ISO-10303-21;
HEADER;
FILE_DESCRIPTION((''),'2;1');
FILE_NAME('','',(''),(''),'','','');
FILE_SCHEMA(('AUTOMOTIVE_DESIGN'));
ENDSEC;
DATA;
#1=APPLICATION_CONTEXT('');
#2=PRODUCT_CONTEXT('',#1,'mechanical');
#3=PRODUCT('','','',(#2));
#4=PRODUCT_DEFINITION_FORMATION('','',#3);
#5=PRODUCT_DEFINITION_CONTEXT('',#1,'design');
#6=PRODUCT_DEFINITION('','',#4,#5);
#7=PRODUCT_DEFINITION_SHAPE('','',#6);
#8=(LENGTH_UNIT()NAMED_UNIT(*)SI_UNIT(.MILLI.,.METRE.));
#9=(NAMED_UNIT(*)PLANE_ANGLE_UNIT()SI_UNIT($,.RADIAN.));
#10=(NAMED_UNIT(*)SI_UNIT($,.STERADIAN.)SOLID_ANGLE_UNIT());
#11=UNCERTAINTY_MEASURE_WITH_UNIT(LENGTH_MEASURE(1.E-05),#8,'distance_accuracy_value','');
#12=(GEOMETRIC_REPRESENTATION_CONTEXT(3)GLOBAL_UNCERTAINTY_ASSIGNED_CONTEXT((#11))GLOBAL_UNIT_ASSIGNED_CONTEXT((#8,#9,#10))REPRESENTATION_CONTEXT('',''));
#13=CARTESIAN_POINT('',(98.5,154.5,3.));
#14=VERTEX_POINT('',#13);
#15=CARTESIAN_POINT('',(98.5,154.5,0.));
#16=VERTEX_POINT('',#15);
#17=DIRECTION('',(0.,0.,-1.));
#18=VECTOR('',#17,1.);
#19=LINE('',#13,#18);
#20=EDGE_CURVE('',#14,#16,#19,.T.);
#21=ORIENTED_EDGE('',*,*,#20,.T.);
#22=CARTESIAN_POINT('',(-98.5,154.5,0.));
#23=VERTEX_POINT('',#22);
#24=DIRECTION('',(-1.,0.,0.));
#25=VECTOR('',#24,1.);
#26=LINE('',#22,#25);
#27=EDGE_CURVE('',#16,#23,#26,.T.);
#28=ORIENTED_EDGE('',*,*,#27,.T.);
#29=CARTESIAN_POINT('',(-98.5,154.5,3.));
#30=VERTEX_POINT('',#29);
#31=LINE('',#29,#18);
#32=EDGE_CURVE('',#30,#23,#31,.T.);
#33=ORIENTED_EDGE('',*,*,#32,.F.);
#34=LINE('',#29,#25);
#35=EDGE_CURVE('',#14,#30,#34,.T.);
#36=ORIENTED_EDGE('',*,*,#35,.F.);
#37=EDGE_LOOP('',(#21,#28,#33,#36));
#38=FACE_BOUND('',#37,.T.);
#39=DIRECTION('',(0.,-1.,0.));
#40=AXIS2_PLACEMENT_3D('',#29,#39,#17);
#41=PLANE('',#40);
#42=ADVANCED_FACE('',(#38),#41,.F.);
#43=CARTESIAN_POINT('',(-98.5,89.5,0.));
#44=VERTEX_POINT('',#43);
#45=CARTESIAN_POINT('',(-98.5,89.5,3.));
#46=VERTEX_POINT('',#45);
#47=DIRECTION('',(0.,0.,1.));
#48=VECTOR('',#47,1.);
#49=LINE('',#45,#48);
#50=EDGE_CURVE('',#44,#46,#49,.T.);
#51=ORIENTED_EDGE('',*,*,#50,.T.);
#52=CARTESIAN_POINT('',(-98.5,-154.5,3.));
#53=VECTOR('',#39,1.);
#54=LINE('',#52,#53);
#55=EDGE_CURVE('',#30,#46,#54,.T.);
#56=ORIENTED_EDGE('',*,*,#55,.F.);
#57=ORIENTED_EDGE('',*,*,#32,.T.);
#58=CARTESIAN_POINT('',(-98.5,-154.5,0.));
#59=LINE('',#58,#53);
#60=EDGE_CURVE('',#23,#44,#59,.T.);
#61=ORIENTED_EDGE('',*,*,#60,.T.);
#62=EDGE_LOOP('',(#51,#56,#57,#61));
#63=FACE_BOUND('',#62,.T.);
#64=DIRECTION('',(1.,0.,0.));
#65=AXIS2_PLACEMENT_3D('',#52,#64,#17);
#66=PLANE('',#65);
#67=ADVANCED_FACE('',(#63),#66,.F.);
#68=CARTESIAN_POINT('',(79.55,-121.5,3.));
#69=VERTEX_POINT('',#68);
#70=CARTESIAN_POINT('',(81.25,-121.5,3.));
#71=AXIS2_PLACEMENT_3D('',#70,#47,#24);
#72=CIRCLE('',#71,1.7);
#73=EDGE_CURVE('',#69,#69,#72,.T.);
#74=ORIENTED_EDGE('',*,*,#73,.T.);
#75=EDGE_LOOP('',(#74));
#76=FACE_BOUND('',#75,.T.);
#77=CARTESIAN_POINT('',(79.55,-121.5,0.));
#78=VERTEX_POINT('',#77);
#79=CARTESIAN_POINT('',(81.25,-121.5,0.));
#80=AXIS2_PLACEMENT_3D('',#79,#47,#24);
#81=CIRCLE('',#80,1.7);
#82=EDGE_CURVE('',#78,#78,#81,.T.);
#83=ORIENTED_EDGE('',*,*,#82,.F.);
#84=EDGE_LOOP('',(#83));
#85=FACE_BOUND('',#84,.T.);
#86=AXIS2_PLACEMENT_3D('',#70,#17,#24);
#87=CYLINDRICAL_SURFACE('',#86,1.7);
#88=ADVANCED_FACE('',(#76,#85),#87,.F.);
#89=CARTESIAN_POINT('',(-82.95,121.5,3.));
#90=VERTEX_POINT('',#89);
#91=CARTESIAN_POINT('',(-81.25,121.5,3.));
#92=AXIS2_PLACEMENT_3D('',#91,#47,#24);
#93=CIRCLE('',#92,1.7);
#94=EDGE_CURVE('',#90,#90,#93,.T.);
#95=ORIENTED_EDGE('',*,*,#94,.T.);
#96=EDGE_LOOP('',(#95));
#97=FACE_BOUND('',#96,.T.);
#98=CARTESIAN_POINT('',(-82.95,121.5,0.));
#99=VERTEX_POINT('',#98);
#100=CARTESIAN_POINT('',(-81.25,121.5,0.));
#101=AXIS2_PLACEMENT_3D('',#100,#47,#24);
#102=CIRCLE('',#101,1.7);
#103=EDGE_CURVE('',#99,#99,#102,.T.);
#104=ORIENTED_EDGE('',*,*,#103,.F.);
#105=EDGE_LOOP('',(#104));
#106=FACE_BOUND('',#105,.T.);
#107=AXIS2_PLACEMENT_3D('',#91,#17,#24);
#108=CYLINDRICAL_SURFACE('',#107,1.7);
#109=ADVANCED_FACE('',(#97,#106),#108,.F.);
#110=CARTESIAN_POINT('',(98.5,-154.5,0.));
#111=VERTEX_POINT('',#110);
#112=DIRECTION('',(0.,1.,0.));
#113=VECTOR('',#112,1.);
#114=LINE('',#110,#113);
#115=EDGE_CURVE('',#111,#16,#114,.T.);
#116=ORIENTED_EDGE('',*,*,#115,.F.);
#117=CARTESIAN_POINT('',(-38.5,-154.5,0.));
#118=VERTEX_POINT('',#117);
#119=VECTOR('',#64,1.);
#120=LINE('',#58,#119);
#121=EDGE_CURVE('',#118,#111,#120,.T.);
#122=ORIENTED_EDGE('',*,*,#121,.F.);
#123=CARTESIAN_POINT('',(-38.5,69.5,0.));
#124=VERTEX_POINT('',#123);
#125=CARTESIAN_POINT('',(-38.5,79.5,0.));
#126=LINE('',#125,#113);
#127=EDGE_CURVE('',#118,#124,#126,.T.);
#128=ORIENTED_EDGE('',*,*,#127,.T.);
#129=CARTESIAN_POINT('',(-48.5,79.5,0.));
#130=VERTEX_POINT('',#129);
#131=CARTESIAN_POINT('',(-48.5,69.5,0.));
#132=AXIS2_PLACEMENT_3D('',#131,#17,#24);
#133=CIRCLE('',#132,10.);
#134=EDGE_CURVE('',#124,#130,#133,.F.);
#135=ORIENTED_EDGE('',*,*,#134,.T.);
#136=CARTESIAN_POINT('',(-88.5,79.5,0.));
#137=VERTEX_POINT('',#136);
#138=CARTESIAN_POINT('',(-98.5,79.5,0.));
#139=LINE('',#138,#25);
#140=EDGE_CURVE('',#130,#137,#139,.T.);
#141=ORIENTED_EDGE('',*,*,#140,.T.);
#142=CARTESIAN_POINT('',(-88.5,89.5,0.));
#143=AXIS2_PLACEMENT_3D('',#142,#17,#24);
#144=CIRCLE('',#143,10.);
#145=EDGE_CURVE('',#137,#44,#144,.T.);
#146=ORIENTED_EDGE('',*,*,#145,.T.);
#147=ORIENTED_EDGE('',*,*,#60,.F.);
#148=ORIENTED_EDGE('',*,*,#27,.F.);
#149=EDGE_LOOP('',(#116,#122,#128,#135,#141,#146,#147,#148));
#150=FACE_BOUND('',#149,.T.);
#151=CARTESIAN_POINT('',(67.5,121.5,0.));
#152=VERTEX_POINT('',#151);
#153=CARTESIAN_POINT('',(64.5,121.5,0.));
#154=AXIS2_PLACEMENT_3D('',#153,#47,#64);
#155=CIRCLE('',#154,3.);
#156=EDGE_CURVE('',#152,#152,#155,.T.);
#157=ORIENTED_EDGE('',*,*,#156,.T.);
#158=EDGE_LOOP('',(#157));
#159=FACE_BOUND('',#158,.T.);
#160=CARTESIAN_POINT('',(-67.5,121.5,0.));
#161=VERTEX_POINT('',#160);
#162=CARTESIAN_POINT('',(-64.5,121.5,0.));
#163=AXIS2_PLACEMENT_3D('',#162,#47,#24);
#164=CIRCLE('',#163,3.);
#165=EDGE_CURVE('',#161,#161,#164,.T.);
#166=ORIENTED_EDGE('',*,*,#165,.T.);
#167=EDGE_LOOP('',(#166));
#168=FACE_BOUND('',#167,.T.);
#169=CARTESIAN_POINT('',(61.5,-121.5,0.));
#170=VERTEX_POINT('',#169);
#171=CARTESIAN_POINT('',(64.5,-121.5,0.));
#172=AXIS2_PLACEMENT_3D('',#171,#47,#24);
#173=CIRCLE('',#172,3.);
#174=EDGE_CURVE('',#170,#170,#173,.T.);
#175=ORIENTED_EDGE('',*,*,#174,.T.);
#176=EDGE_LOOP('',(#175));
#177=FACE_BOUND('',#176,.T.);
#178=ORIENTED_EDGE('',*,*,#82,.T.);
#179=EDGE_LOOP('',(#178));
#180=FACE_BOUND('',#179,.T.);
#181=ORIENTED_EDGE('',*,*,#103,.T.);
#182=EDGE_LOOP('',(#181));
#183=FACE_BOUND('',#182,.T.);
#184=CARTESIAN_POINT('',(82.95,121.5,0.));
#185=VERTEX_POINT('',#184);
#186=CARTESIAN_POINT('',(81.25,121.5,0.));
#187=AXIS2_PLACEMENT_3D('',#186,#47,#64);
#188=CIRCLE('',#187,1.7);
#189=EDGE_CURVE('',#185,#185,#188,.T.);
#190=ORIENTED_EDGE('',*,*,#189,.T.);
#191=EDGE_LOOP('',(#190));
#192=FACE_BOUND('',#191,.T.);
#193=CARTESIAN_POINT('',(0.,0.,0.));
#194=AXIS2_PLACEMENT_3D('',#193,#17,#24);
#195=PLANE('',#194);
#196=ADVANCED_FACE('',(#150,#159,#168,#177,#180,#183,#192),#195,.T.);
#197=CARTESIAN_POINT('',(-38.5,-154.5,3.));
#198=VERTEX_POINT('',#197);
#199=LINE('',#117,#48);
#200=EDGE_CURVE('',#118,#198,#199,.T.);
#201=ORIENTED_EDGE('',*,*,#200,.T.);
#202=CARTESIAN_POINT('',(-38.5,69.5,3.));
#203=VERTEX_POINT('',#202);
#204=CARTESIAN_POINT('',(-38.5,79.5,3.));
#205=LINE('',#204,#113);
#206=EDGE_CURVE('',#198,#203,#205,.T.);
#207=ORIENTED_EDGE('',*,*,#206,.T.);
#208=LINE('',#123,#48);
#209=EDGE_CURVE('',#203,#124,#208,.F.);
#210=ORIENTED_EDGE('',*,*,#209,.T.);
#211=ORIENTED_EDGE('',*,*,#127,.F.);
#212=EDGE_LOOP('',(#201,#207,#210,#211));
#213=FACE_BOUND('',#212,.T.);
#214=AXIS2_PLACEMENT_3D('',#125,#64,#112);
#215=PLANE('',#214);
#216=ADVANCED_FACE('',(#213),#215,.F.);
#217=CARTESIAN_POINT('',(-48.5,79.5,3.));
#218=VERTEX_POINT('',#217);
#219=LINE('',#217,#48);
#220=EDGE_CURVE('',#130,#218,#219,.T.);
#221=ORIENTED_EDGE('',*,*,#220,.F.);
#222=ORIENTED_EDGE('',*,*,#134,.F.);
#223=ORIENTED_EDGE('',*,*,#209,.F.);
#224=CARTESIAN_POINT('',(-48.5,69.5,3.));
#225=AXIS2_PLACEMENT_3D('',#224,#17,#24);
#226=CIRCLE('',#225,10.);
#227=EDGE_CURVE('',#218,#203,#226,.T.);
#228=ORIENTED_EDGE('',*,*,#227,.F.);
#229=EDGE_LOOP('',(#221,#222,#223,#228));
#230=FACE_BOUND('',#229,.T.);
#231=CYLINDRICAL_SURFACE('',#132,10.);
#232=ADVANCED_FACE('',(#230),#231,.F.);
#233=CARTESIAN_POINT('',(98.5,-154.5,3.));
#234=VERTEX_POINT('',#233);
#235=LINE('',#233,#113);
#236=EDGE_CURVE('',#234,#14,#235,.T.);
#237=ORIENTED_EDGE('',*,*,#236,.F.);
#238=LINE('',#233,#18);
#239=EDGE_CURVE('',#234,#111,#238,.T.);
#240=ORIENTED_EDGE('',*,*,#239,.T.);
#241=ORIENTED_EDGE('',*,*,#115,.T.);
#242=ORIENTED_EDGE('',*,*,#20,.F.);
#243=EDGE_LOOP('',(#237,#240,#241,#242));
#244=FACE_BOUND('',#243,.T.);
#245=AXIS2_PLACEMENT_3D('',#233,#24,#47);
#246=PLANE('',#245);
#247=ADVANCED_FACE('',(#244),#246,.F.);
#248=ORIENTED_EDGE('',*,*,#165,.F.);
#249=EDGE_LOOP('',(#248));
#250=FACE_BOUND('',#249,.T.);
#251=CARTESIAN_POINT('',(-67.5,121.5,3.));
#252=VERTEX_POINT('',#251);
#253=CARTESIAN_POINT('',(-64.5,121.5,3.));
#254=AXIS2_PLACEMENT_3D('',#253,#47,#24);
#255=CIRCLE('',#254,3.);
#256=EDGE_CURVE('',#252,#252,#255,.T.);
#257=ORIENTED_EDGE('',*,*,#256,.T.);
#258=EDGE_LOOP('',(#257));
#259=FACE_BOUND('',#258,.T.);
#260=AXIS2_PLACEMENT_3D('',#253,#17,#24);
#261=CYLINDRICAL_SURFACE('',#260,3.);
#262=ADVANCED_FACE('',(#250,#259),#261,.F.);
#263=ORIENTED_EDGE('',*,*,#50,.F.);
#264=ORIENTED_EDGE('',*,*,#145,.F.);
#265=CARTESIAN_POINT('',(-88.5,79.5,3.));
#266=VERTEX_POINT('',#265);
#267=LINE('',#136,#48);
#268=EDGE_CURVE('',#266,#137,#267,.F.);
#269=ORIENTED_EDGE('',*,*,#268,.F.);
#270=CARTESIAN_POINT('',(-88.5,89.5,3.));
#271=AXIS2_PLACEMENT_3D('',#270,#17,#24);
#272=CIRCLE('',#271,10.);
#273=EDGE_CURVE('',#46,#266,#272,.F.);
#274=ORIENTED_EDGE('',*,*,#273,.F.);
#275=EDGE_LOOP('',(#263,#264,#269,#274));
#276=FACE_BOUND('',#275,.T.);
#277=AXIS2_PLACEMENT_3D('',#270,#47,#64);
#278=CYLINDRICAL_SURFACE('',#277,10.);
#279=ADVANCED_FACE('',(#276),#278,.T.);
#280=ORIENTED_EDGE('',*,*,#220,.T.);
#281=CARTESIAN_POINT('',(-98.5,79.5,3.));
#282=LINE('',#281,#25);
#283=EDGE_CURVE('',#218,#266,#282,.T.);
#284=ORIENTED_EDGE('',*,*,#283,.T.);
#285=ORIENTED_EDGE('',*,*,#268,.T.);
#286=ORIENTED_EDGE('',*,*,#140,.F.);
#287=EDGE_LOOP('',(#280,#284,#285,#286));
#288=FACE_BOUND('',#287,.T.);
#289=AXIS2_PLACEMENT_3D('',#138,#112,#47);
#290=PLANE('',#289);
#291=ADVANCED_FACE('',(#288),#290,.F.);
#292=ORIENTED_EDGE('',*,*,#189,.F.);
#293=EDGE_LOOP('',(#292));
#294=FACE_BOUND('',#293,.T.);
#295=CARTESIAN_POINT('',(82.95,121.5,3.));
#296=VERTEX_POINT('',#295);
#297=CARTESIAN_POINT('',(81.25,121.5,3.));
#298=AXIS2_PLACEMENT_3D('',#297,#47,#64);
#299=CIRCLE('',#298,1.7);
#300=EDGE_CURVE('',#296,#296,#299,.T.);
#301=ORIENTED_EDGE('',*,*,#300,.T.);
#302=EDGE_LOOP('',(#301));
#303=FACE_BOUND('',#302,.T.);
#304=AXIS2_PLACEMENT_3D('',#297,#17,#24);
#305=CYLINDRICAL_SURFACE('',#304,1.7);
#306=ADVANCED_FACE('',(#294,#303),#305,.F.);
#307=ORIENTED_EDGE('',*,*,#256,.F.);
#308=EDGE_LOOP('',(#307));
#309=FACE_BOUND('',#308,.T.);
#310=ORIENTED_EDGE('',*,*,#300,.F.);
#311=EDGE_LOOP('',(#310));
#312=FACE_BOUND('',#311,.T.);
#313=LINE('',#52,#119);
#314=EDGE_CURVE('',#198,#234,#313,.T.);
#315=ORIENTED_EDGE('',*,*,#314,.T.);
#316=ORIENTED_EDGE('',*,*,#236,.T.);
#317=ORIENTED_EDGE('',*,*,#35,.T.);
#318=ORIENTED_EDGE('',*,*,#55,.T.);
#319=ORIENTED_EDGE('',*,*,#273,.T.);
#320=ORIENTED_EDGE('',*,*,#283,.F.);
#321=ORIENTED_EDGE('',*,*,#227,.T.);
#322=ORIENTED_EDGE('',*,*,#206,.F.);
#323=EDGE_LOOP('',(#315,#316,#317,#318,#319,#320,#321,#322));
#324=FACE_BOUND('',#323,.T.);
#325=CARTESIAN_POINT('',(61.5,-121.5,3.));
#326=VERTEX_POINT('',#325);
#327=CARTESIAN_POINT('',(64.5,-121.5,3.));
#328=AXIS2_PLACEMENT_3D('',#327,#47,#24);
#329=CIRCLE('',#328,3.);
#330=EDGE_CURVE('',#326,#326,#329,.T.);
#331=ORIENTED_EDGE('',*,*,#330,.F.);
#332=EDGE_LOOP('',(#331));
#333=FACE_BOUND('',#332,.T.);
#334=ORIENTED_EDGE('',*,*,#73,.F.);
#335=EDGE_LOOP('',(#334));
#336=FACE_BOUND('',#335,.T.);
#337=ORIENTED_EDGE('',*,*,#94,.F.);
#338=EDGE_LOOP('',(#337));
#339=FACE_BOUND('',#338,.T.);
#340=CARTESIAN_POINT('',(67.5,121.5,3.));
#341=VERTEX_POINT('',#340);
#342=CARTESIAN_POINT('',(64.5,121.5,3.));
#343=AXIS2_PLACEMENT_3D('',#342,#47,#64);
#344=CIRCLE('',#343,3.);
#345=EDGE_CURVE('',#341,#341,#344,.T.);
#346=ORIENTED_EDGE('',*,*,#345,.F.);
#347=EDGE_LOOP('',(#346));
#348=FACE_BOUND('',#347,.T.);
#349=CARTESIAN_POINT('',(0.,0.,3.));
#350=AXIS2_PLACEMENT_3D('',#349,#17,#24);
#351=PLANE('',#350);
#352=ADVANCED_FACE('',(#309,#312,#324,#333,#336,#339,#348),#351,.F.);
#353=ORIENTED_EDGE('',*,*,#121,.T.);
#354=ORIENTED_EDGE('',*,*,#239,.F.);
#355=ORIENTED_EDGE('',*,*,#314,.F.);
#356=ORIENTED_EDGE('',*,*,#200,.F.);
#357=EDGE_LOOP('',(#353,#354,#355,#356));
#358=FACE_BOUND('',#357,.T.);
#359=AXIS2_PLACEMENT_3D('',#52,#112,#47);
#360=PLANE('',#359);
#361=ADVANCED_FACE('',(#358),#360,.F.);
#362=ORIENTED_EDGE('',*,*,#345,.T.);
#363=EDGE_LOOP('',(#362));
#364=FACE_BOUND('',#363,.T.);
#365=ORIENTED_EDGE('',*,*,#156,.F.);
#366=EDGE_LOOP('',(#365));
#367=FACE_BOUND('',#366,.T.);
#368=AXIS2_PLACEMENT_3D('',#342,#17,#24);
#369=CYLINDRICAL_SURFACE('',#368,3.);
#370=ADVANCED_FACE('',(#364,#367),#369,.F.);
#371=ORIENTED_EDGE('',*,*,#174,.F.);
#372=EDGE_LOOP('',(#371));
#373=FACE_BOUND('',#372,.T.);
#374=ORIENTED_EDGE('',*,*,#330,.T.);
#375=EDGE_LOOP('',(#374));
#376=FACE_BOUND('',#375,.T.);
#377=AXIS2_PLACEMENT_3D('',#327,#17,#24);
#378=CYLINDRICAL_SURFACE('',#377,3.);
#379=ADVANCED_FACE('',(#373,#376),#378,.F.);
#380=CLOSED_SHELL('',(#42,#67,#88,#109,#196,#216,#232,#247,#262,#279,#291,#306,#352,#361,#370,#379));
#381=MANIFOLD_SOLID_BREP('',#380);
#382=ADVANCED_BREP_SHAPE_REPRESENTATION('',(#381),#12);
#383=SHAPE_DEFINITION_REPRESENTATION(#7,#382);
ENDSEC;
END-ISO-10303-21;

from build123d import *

# Parameters (mm, degrees)
ESQUISSE1_W             = 197
ESQUISSE1_H             = 309
ESQUISSE1_R             = 1.7
ESQUISSE1_R_2           = 3
BOSS_EXTRU_1_DEPTH      = 3
ESQUISSE2_W             = 60
ESQUISSE2_H             = 234
ENL_V_MAT_EXTRU_1_DEPTH = 4
CONG_1_R                = 10


with BuildPart() as part:
    # Esquisse1 → Boss.-Extru.1 (new body)
    with BuildSketch(Plane.XY):
        Rectangle(ESQUISSE1_W, ESQUISSE1_H)
        with Locations((81.25, 121.5)):
            Circle(ESQUISSE1_R, mode=Mode.SUBTRACT)
        with Locations((64.5, 121.5)):
            Circle(ESQUISSE1_R_2, mode=Mode.SUBTRACT)
        with Locations((81.25, -121.5)):
            Circle(ESQUISSE1_R, mode=Mode.SUBTRACT)
        with Locations((64.5, -121.5)):
            Circle(ESQUISSE1_R_2, mode=Mode.SUBTRACT)
        with Locations((-81.25, -121.5)):
            Circle(ESQUISSE1_R, mode=Mode.SUBTRACT)
        with Locations((-64.5, -121.5)):
            Circle(ESQUISSE1_R_2, mode=Mode.SUBTRACT)
        with Locations((-81.25, 121.5)):
            Circle(ESQUISSE1_R, mode=Mode.SUBTRACT)
        with Locations((-64.5, 121.5)):
            Circle(ESQUISSE1_R_2, mode=Mode.SUBTRACT)
    extrude(amount=BOSS_EXTRU_1_DEPTH)

    # Esquisse2 → Enlèv. mat.-Extru.1 (cut, through all)
    with BuildSketch(Plane.XY.offset(3)):
        with Locations((-68.5, -37.5)):
            Rectangle(ESQUISSE2_W, ESQUISSE2_H)
    extrude(amount=-ENL_V_MAT_EXTRU_1_DEPTH, mode=Mode.SUBTRACT)

    # Congé1
    cong_1_edges = [part.edges().sort_by_distance(p)[0] for p in [
        (-98.5, 79.5, 1.5),
        (-38.5, 79.5, 1.5),
    ]]
    fillet(cong_1_edges, radius=CONG_1_R)


solid = part.part
